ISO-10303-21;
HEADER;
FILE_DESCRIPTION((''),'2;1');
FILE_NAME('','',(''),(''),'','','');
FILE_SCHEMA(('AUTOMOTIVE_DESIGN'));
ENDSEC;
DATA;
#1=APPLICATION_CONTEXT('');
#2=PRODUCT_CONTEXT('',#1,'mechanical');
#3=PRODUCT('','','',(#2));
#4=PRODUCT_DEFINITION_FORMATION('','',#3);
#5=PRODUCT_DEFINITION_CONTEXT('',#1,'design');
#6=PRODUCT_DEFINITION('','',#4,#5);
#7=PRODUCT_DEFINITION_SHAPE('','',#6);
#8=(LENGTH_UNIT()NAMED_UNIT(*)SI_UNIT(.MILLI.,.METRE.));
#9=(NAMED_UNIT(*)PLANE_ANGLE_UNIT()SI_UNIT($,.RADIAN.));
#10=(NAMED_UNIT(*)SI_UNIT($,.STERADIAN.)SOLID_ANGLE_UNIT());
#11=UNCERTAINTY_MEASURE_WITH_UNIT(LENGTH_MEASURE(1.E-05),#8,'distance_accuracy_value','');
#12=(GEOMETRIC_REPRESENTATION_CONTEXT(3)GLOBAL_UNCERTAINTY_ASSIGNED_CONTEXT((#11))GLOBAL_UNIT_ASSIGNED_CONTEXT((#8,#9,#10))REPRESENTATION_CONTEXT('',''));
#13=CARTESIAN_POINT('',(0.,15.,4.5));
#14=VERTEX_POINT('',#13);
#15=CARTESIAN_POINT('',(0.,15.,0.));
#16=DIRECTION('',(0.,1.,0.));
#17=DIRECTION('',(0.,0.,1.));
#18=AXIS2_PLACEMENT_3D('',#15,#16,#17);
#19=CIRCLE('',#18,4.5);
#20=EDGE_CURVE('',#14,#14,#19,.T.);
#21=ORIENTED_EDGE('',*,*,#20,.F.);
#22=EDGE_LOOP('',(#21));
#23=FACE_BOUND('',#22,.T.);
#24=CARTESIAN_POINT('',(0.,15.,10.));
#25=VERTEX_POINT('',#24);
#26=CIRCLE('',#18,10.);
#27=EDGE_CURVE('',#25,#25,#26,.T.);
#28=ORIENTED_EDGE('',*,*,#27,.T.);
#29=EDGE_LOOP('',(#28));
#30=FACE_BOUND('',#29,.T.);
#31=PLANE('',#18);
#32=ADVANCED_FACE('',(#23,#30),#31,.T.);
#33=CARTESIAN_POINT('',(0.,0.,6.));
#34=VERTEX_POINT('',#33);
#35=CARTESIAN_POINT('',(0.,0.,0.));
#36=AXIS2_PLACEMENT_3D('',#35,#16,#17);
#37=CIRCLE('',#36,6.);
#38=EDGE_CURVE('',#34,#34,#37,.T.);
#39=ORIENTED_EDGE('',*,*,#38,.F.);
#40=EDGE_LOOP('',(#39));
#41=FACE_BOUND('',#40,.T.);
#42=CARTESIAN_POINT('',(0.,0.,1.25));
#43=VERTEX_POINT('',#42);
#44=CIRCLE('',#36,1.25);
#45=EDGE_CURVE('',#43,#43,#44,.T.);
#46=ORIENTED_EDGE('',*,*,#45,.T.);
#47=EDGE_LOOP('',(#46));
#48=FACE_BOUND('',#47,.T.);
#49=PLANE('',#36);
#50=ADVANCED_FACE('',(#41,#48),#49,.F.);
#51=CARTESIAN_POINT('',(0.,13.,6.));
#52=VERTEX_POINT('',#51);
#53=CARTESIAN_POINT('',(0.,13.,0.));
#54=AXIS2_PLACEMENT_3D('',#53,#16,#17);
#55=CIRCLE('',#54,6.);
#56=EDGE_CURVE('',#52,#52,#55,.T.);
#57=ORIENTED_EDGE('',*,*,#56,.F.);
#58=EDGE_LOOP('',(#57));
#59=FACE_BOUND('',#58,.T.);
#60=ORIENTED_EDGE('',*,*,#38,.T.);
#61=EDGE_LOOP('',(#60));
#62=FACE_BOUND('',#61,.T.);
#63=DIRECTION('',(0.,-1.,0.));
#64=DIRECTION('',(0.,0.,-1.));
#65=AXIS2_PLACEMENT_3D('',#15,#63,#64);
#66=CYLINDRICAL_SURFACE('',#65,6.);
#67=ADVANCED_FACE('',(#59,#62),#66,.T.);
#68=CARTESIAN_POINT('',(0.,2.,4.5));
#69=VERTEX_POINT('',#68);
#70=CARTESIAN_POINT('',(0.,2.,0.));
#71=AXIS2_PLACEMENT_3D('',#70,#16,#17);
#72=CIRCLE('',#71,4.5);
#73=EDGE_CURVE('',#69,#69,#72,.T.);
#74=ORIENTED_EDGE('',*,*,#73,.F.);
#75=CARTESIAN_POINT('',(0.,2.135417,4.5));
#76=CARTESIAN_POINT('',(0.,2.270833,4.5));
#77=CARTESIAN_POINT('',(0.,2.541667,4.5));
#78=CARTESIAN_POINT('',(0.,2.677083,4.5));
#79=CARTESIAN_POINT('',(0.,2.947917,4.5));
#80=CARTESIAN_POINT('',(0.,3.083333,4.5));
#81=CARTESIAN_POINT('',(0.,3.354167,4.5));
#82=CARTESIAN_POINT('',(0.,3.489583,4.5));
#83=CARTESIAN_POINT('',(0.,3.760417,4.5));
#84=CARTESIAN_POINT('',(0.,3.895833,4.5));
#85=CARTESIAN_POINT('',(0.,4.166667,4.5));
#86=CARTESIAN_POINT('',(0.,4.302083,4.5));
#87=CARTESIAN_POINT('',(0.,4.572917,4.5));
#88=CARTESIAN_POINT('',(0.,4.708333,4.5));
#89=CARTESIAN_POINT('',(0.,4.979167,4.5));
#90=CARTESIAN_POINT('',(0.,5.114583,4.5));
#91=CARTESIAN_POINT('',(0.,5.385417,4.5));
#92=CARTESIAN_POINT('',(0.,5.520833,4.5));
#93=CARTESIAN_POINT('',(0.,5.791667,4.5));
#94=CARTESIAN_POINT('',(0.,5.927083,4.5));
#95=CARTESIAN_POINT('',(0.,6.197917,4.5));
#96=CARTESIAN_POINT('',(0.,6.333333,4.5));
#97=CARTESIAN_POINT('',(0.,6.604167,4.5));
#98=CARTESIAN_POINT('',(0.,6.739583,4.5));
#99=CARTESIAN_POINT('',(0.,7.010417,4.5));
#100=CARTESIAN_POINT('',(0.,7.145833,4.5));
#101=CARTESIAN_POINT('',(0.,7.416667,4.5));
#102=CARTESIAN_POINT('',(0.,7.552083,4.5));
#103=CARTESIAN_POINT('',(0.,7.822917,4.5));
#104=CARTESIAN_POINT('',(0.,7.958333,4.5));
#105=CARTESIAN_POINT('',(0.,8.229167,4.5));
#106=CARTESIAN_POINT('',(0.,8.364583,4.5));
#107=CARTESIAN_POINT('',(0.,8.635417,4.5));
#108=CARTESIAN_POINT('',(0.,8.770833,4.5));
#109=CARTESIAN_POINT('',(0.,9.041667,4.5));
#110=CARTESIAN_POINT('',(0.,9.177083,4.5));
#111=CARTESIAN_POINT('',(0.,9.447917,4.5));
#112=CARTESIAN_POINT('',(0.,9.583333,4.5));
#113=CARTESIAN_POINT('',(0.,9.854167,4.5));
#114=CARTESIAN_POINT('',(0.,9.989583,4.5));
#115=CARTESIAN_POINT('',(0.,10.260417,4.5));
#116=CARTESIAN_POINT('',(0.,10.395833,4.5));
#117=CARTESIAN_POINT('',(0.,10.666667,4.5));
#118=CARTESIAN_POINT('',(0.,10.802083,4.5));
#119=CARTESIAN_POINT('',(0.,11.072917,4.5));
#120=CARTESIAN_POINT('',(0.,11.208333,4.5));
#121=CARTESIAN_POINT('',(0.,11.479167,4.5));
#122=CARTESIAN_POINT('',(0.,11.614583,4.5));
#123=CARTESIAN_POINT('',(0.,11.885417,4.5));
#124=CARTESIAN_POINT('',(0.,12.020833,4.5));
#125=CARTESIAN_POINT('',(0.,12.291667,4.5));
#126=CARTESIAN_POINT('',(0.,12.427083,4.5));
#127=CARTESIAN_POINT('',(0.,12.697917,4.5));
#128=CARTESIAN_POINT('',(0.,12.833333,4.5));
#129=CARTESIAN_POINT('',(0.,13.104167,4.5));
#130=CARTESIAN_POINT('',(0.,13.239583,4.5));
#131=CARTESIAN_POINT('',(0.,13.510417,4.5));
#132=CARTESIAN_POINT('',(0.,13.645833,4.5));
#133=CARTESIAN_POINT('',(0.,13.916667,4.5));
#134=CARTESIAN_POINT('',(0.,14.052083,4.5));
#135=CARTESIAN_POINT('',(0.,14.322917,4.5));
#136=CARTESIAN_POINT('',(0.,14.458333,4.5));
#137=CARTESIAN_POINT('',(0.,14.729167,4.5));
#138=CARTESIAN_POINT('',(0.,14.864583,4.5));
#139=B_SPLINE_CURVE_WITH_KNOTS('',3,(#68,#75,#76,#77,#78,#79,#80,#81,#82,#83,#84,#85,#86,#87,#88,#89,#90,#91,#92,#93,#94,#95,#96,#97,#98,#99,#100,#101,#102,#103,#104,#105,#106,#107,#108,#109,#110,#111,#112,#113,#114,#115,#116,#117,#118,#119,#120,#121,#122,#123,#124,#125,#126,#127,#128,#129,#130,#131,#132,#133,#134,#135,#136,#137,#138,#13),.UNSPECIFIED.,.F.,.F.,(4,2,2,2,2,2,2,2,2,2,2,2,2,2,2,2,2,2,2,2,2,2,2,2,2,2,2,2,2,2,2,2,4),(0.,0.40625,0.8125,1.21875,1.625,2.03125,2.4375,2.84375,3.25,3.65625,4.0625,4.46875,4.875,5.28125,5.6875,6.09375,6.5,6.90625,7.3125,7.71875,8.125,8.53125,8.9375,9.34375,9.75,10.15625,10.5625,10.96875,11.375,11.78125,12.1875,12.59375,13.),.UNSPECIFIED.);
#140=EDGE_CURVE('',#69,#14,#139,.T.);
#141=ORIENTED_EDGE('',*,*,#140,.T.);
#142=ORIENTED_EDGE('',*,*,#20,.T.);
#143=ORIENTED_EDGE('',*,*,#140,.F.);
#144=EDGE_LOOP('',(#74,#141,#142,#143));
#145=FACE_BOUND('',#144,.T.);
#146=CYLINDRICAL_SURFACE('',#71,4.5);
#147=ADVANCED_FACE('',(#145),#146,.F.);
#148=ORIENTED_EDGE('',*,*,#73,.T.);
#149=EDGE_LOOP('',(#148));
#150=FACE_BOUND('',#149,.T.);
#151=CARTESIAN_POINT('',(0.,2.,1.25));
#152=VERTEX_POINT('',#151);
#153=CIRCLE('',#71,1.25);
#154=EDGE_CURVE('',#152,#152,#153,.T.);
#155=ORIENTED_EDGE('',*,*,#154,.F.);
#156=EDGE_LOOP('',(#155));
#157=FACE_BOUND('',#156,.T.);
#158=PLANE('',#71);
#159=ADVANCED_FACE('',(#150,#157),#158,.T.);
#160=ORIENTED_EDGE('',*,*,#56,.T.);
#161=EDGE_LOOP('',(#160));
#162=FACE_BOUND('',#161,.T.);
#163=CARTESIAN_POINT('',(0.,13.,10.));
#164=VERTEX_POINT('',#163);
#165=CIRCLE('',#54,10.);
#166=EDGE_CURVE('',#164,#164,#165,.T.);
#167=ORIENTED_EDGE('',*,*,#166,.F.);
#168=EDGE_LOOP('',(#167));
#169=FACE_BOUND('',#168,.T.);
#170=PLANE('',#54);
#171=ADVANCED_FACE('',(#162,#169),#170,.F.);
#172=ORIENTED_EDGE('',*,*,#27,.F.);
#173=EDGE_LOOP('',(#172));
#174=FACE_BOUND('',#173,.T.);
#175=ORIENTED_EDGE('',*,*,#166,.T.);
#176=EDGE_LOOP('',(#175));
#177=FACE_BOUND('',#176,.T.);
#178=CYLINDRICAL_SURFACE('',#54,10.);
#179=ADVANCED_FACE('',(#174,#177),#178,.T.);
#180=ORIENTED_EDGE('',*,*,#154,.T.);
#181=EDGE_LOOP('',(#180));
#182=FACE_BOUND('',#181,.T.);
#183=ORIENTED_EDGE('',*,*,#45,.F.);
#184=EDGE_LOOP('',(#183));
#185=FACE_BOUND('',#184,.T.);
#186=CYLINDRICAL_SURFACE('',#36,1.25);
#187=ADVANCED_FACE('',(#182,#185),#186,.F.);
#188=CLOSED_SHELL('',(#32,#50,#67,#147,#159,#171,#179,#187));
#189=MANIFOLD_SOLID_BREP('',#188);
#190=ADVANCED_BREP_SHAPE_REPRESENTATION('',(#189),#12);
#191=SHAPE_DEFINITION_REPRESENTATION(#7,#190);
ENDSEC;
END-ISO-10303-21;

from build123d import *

# Parameters (mm, degrees)
ESQUISSE1_R             = 6
BOSS_EXTRU_1_DEPTH      = 15
ESQUISSE3_R             = 10
BOSS_EXTRU_2_DEPTH      = 2
ESQUISSE2_R             = 4.5
ENL_V_MAT_EXTRU_2_DEPTH = 13
ESQUISSE4_R             = 1.25
ENL_V_MAT_EXTRU_3_DEPTH = 20.209372712


with BuildPart() as part:
    # Esquisse1 → Boss.-Extru.1 (new body)
    with BuildSketch(Plane(origin=(0, 0, 0), x_dir=(1, 0, 0), z_dir=(0, 1, 0))):
        with Locations(Location((0, 0, 0), (0, 0, 270))):
            Circle(ESQUISSE1_R)
    extrude(amount=BOSS_EXTRU_1_DEPTH)

    # Esquisse3 → Boss.-Extru.2 (add)
    with BuildSketch(Plane(origin=(0, 15, 0), x_dir=(1, 0, 0), z_dir=(0, 1, 0))):
        with Locations(Location((0, 0, 0), (0, 0, 270))):
            Circle(ESQUISSE3_R)
    extrude(amount=-BOSS_EXTRU_2_DEPTH)

    # Esquisse2 → Enlèv. mat.-Extru.2 (cut)
    with BuildSketch(Plane(origin=(0, 15, 0), x_dir=(1, 0, 0), z_dir=(0, 1, 0))):
        with Locations(Location((0, 0, 0), (0, 0, 270))):
            Circle(ESQUISSE2_R)
    extrude(amount=-ENL_V_MAT_EXTRU_2_DEPTH, mode=Mode.SUBTRACT)

    # Esquisse4 → Enlèv. mat.-Extru.3 (cut, through all)
    with BuildSketch(Plane(origin=(0, 2, 0), x_dir=(1, 0, 0), z_dir=(0, 1, 0))):
        with Locations(Location((0, 0, 0), (0, 0, 270))):
            Circle(ESQUISSE4_R)
    extrude(amount=-ENL_V_MAT_EXTRU_3_DEPTH, mode=Mode.SUBTRACT)


solid = part.part
